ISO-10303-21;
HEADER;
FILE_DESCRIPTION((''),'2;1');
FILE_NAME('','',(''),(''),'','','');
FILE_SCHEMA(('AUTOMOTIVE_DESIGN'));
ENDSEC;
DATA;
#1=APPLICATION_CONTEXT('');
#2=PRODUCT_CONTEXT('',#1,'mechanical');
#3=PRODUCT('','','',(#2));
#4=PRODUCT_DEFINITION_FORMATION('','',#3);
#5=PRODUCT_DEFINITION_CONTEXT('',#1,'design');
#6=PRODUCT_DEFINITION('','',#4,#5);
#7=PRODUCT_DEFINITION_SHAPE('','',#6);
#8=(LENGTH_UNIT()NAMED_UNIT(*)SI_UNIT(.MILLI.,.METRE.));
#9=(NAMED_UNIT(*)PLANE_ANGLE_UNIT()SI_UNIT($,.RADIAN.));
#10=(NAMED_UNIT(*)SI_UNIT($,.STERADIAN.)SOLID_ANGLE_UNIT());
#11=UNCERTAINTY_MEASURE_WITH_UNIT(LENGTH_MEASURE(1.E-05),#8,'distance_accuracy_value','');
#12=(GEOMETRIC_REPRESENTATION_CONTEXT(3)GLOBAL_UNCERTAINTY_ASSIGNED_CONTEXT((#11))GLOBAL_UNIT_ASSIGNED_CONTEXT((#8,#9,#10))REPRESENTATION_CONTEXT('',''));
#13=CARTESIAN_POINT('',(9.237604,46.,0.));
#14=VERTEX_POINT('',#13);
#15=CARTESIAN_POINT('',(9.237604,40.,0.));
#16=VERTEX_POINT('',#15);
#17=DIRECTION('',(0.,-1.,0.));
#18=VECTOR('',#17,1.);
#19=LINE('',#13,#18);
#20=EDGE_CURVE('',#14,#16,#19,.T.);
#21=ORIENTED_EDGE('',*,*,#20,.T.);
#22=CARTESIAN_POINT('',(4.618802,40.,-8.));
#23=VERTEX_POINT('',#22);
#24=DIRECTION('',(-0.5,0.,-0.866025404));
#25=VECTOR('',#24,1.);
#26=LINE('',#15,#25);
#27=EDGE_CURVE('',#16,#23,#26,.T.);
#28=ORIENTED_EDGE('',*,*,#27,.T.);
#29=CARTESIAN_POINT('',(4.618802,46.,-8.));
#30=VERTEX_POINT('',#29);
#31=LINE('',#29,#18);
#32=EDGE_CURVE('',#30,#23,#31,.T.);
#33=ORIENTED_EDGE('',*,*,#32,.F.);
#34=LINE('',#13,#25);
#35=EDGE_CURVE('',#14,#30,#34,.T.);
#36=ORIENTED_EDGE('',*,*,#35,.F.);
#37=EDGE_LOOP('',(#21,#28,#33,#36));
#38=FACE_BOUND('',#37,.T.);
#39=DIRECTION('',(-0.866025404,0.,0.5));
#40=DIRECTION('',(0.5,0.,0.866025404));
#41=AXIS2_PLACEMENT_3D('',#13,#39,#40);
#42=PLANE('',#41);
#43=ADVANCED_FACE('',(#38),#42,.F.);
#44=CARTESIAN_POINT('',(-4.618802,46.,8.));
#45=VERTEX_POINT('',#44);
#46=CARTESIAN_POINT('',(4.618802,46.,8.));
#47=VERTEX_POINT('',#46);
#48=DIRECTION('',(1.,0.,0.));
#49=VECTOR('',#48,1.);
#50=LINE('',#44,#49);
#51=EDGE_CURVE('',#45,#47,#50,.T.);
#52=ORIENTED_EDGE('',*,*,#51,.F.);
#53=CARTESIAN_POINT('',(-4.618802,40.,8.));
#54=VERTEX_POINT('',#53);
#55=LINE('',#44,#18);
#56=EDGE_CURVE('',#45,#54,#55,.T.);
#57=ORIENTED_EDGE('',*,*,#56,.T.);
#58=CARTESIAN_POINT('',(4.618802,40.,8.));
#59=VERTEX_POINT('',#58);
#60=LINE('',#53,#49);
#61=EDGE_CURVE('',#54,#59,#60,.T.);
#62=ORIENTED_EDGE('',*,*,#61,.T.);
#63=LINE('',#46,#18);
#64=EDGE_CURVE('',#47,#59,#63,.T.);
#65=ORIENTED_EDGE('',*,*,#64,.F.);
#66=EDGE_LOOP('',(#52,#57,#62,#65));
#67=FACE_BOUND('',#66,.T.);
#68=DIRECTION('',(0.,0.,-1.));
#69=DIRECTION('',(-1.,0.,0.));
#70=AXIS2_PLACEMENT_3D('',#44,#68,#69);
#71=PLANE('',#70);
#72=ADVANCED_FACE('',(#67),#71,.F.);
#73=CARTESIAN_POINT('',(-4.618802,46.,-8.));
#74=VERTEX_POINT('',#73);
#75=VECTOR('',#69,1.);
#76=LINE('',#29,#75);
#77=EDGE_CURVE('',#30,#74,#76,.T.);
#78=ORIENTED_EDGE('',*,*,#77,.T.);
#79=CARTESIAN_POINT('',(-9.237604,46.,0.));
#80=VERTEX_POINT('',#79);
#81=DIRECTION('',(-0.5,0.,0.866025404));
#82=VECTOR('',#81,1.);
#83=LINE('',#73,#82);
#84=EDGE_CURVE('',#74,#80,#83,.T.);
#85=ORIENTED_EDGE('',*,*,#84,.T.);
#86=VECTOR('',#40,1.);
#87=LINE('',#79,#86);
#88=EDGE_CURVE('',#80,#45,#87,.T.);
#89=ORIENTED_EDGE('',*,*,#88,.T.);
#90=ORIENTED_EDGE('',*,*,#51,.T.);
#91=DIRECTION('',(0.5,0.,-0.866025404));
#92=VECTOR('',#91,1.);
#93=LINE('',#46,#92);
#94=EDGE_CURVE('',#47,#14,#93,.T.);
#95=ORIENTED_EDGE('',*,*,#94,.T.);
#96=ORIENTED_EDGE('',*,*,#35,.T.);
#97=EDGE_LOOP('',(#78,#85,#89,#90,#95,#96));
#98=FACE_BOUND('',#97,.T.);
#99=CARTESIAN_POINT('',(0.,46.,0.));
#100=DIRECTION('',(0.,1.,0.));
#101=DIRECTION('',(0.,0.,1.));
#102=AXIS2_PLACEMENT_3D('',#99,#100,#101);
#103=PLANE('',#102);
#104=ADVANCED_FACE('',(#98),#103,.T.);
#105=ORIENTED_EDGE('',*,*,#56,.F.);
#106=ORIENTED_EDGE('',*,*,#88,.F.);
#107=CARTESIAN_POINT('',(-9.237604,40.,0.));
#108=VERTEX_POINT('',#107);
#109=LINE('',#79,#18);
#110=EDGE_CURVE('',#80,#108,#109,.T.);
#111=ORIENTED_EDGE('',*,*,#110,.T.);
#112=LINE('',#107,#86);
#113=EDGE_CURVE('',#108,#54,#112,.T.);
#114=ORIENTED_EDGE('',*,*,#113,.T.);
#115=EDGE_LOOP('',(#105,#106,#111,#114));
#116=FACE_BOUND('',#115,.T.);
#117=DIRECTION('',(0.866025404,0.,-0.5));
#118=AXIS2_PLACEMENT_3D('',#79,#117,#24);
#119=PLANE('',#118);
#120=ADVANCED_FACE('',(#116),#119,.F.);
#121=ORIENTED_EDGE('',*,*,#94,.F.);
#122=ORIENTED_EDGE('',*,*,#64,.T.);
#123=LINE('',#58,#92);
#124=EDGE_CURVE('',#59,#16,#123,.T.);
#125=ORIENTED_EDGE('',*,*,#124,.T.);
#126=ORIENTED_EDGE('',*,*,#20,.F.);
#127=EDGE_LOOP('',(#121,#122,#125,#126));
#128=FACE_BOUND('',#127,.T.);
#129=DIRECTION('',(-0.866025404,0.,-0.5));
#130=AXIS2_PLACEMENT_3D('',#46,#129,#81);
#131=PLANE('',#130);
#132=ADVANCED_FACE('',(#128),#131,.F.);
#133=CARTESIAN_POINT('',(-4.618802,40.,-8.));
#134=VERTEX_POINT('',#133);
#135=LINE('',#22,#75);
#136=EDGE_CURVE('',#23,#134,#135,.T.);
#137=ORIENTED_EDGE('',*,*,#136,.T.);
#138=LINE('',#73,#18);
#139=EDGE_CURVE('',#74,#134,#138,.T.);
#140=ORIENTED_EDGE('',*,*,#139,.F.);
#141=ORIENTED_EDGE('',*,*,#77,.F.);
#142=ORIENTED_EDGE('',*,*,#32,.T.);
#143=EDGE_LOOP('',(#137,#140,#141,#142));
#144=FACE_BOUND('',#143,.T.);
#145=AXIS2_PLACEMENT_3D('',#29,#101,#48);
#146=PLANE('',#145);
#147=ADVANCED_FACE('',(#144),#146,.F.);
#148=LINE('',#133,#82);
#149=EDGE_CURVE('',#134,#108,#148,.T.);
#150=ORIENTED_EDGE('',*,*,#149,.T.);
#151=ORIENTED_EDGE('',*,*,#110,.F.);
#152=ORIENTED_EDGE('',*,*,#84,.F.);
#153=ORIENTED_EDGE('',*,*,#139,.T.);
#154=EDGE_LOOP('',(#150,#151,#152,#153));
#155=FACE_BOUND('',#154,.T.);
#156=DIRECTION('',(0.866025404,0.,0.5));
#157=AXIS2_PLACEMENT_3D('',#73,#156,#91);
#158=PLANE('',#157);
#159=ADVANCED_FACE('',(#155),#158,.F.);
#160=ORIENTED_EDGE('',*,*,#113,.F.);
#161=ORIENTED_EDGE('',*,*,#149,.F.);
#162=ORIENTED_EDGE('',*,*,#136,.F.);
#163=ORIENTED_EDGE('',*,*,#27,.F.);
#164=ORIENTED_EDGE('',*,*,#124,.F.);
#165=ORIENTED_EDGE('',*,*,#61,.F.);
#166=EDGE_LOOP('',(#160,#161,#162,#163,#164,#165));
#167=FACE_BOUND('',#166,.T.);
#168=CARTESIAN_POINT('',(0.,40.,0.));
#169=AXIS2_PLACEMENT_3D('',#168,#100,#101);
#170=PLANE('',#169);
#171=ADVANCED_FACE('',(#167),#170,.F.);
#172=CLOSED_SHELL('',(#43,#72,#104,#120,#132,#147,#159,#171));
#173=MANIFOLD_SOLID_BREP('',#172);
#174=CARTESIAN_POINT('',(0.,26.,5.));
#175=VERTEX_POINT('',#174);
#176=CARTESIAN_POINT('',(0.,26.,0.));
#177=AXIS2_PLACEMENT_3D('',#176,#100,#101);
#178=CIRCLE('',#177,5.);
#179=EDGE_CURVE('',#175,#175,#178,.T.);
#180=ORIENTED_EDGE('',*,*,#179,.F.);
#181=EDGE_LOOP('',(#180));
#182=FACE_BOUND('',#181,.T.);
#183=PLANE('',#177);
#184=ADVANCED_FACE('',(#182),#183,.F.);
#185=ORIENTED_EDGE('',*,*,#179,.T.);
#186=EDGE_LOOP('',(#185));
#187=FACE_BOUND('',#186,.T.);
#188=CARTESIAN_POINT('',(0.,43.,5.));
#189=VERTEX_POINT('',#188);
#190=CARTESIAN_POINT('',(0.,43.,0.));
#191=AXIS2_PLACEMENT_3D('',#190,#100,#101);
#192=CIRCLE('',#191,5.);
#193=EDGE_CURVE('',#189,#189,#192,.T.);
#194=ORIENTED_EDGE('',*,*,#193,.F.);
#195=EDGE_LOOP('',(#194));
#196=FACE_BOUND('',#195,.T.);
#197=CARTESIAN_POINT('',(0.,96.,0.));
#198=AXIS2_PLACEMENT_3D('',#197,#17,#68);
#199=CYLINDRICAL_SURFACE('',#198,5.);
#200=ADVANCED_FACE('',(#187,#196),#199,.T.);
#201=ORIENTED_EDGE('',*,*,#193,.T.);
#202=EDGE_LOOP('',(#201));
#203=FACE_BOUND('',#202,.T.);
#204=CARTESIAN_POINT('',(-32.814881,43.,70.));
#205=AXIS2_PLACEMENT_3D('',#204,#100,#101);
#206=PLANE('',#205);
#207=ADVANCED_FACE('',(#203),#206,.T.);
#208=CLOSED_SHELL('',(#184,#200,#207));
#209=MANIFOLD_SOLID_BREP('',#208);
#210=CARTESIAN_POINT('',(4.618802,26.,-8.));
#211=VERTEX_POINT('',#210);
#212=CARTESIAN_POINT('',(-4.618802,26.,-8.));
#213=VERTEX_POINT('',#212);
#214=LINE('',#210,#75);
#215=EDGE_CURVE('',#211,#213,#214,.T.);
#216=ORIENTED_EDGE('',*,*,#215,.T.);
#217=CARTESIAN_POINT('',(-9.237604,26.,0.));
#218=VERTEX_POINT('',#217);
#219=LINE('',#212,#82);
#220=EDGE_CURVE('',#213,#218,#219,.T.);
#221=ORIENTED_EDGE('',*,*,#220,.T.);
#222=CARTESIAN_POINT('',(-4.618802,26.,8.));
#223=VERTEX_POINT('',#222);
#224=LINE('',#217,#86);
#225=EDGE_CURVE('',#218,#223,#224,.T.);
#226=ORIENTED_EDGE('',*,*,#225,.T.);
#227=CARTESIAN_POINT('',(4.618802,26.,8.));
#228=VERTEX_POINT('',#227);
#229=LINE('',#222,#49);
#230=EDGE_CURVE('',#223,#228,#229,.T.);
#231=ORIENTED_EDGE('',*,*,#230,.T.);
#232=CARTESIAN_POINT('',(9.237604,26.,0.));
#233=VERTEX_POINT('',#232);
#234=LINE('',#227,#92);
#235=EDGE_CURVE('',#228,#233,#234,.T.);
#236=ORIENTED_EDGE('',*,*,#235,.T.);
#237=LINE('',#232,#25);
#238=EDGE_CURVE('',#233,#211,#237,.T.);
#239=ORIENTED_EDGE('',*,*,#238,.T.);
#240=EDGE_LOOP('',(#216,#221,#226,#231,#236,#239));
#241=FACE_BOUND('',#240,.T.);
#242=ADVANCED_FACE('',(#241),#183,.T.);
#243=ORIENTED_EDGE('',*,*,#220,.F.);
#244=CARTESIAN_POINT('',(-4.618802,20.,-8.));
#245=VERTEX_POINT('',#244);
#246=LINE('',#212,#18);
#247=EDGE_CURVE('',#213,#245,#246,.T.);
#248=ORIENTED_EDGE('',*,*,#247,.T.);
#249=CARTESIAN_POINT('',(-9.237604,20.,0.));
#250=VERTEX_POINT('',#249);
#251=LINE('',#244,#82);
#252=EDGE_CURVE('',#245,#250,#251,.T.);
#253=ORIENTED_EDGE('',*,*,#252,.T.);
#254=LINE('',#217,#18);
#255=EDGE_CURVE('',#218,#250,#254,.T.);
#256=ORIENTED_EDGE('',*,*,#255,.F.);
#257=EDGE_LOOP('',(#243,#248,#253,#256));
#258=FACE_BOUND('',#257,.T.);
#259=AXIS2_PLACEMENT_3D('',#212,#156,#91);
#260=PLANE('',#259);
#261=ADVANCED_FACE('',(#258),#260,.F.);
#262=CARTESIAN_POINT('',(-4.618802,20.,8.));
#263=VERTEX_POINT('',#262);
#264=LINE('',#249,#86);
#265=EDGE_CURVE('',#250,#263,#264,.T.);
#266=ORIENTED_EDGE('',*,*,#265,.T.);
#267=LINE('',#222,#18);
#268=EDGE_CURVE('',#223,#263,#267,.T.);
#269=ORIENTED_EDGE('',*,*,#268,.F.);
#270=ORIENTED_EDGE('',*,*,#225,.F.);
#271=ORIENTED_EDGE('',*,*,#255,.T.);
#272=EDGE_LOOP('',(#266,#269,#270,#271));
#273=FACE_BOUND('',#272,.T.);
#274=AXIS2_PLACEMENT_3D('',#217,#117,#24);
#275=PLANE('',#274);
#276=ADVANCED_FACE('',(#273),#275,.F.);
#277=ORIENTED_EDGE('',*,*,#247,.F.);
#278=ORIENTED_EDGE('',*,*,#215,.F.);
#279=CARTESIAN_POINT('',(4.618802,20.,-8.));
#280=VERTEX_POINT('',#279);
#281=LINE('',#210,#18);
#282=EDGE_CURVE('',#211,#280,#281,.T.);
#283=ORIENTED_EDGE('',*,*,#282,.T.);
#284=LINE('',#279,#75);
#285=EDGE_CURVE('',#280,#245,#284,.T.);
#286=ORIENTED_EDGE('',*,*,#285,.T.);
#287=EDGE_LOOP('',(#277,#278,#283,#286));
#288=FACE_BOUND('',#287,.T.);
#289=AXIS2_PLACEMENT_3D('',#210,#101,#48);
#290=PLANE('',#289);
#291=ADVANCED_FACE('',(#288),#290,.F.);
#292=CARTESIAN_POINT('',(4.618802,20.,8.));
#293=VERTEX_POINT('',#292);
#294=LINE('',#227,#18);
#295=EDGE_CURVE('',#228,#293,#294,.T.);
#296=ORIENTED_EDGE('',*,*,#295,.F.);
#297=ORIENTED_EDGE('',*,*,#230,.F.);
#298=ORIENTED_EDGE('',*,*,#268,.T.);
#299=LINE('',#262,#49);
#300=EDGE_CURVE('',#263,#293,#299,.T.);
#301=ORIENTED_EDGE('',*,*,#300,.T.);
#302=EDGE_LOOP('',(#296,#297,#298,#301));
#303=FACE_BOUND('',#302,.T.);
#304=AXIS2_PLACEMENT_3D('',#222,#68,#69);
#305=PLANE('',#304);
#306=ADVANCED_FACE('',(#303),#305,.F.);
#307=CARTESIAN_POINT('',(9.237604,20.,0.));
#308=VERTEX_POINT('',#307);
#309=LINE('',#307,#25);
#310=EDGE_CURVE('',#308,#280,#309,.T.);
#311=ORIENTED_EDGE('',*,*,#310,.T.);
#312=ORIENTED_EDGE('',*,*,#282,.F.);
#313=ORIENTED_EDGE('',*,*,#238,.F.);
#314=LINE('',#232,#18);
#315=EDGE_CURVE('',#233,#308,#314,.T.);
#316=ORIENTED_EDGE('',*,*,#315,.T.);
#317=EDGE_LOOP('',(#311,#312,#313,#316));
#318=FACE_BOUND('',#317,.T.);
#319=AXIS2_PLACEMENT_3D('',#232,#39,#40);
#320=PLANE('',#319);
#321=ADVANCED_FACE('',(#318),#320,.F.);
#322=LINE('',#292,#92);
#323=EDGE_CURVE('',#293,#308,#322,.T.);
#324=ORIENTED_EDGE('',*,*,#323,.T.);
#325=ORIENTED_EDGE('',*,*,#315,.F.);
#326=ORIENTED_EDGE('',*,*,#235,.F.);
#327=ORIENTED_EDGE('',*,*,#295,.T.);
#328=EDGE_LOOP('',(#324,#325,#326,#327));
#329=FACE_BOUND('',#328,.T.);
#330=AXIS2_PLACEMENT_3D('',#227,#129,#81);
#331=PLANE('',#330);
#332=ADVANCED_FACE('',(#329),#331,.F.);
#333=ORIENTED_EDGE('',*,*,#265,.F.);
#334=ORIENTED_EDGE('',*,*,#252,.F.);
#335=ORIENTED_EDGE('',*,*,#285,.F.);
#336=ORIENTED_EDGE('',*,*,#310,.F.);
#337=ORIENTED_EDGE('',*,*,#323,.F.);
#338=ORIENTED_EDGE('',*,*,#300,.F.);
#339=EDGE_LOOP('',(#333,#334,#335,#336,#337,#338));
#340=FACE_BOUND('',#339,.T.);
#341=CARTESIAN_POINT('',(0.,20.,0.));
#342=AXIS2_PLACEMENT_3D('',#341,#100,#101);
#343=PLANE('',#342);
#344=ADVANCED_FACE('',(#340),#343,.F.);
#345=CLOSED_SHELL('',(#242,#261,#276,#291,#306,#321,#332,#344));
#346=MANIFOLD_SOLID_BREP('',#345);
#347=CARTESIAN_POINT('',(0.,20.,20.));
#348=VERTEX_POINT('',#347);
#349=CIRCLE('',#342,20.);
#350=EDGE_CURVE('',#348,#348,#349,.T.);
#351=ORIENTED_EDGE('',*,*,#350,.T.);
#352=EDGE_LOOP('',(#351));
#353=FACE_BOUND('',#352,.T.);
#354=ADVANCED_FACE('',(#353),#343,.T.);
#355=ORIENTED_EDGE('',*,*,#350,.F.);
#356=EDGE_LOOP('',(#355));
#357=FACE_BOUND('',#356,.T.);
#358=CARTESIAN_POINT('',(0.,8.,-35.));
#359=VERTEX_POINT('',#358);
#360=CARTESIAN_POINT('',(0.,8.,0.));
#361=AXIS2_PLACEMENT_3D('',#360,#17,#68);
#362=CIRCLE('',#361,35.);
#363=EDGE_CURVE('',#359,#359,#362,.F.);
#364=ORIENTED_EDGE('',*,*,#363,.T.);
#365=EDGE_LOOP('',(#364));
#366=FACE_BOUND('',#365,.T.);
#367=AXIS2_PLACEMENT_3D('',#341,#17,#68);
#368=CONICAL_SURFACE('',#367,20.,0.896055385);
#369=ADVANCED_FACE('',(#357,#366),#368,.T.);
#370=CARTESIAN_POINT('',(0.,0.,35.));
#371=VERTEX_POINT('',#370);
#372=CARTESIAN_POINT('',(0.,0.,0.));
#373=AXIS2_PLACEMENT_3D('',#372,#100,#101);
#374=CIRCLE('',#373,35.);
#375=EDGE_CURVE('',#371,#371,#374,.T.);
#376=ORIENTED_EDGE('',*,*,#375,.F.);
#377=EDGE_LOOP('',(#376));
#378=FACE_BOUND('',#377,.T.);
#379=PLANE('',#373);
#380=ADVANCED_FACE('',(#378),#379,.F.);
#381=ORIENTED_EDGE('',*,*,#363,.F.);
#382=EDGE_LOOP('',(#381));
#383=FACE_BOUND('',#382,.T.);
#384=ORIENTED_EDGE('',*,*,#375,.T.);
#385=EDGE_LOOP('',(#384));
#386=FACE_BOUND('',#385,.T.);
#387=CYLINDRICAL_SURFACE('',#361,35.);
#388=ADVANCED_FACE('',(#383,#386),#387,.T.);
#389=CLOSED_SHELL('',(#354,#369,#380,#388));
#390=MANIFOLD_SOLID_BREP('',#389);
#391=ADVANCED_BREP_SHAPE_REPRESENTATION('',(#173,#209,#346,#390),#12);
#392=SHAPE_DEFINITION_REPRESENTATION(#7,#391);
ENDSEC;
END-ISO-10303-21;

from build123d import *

# Parameters (mm, degrees)
SKETCH_1_R               = 35
EXTRUDE_1_DEPTH          = 8
SKETCH_2_R               = 35
SKETCH_3_R               = 20
EXTRUDE_2_DEPTH          = 6
SKETCH_5_R               = 5
EXTRUDE_3_DEPTH          = 70
CHAMFER_1_SIZE           = 1
CUT_EXTRUDE_1_DEPTH      = 70
CUT_EXTRUDE_1_DEPTH_BACK = 70
SKETCH_6_W               = 71.147706593
SKETCH_6_H               = 64.013654713


with BuildPart() as part:
    # Эскиз1 → Бобышка-Вытянуть1 (new body)
    with BuildSketch(Plane(origin=(0, 0, 0), x_dir=(1, 0, 0), z_dir=(0, 1, 0))):
        with Locations(Location((0, 0, 0), (0, 0, 270))):
            Circle(SKETCH_1_R)
    extrude(amount=EXTRUDE_1_DEPTH)

    # Эскиз2 → По сечениям1 section 0
    with BuildSketch(Plane(origin=(0, 8, 0), x_dir=(1, 0, 0), z_dir=(0, 1, 0))):
        Circle(SKETCH_2_R)
    # Эскиз3 → По сечениям1 section 1
    with BuildSketch(Plane(origin=(0, 20, 0), x_dir=(1, 0, 0), z_dir=(0, 1, 0))):
        Circle(SKETCH_3_R)
    loft()


with BuildPart() as body_2:
    # Эскиз4 → Бобышка-Вытянуть2 (new body)
    with BuildSketch(Plane(origin=(0, 20, 0), x_dir=(1, 0, 0), z_dir=(0, 1, 0))):
        Polygon((9.237604307, 0), (4.618802154, 8), (-4.618802154, 8), (-9.237604307, 0), (-4.618802154, -8), (4.618802154, -8), align=None)
    extrude(amount=EXTRUDE_2_DEPTH)


with BuildPart() as body_3:
    # Эскиз5 → Бобышка-Вытянуть3 (new body)
    with BuildSketch(Plane(origin=(0, 26, 0), x_dir=(1, 0, 0), z_dir=(0, 1, 0))):
        with Locations(Location((0, 0, 0), (0, 0, 270))):
            Circle(SKETCH_5_R)
    extrude(amount=EXTRUDE_3_DEPTH)

    # Фаска1
    chamfer_1_edges = [body_3.edges().sort_by_distance(p)[0] for p in [
        (0, 96, -5),
    ]]
    chamfer(chamfer_1_edges, length=CHAMFER_1_SIZE)

    # Эскиз6 → Вырез-Вытянуть1 (cut, two sides: drawn at the far end of the back side and taken through both)
    with BuildSketch(Plane.XY.offset(-CUT_EXTRUDE_1_DEPTH_BACK)):
        with Locations((2.758972649, 75.006827356)):
            Rectangle(SKETCH_6_W, SKETCH_6_H)
    extrude(amount=CUT_EXTRUDE_1_DEPTH + CUT_EXTRUDE_1_DEPTH_BACK, mode=Mode.SUBTRACT)


with BuildPart() as body_4:
    # Move Body 1: copy of body 2
    add(body_2.part.moved(Location((0, 20, 0))))


solid = Compound([part.part, body_2.part, body_3.part, body_4.part])
